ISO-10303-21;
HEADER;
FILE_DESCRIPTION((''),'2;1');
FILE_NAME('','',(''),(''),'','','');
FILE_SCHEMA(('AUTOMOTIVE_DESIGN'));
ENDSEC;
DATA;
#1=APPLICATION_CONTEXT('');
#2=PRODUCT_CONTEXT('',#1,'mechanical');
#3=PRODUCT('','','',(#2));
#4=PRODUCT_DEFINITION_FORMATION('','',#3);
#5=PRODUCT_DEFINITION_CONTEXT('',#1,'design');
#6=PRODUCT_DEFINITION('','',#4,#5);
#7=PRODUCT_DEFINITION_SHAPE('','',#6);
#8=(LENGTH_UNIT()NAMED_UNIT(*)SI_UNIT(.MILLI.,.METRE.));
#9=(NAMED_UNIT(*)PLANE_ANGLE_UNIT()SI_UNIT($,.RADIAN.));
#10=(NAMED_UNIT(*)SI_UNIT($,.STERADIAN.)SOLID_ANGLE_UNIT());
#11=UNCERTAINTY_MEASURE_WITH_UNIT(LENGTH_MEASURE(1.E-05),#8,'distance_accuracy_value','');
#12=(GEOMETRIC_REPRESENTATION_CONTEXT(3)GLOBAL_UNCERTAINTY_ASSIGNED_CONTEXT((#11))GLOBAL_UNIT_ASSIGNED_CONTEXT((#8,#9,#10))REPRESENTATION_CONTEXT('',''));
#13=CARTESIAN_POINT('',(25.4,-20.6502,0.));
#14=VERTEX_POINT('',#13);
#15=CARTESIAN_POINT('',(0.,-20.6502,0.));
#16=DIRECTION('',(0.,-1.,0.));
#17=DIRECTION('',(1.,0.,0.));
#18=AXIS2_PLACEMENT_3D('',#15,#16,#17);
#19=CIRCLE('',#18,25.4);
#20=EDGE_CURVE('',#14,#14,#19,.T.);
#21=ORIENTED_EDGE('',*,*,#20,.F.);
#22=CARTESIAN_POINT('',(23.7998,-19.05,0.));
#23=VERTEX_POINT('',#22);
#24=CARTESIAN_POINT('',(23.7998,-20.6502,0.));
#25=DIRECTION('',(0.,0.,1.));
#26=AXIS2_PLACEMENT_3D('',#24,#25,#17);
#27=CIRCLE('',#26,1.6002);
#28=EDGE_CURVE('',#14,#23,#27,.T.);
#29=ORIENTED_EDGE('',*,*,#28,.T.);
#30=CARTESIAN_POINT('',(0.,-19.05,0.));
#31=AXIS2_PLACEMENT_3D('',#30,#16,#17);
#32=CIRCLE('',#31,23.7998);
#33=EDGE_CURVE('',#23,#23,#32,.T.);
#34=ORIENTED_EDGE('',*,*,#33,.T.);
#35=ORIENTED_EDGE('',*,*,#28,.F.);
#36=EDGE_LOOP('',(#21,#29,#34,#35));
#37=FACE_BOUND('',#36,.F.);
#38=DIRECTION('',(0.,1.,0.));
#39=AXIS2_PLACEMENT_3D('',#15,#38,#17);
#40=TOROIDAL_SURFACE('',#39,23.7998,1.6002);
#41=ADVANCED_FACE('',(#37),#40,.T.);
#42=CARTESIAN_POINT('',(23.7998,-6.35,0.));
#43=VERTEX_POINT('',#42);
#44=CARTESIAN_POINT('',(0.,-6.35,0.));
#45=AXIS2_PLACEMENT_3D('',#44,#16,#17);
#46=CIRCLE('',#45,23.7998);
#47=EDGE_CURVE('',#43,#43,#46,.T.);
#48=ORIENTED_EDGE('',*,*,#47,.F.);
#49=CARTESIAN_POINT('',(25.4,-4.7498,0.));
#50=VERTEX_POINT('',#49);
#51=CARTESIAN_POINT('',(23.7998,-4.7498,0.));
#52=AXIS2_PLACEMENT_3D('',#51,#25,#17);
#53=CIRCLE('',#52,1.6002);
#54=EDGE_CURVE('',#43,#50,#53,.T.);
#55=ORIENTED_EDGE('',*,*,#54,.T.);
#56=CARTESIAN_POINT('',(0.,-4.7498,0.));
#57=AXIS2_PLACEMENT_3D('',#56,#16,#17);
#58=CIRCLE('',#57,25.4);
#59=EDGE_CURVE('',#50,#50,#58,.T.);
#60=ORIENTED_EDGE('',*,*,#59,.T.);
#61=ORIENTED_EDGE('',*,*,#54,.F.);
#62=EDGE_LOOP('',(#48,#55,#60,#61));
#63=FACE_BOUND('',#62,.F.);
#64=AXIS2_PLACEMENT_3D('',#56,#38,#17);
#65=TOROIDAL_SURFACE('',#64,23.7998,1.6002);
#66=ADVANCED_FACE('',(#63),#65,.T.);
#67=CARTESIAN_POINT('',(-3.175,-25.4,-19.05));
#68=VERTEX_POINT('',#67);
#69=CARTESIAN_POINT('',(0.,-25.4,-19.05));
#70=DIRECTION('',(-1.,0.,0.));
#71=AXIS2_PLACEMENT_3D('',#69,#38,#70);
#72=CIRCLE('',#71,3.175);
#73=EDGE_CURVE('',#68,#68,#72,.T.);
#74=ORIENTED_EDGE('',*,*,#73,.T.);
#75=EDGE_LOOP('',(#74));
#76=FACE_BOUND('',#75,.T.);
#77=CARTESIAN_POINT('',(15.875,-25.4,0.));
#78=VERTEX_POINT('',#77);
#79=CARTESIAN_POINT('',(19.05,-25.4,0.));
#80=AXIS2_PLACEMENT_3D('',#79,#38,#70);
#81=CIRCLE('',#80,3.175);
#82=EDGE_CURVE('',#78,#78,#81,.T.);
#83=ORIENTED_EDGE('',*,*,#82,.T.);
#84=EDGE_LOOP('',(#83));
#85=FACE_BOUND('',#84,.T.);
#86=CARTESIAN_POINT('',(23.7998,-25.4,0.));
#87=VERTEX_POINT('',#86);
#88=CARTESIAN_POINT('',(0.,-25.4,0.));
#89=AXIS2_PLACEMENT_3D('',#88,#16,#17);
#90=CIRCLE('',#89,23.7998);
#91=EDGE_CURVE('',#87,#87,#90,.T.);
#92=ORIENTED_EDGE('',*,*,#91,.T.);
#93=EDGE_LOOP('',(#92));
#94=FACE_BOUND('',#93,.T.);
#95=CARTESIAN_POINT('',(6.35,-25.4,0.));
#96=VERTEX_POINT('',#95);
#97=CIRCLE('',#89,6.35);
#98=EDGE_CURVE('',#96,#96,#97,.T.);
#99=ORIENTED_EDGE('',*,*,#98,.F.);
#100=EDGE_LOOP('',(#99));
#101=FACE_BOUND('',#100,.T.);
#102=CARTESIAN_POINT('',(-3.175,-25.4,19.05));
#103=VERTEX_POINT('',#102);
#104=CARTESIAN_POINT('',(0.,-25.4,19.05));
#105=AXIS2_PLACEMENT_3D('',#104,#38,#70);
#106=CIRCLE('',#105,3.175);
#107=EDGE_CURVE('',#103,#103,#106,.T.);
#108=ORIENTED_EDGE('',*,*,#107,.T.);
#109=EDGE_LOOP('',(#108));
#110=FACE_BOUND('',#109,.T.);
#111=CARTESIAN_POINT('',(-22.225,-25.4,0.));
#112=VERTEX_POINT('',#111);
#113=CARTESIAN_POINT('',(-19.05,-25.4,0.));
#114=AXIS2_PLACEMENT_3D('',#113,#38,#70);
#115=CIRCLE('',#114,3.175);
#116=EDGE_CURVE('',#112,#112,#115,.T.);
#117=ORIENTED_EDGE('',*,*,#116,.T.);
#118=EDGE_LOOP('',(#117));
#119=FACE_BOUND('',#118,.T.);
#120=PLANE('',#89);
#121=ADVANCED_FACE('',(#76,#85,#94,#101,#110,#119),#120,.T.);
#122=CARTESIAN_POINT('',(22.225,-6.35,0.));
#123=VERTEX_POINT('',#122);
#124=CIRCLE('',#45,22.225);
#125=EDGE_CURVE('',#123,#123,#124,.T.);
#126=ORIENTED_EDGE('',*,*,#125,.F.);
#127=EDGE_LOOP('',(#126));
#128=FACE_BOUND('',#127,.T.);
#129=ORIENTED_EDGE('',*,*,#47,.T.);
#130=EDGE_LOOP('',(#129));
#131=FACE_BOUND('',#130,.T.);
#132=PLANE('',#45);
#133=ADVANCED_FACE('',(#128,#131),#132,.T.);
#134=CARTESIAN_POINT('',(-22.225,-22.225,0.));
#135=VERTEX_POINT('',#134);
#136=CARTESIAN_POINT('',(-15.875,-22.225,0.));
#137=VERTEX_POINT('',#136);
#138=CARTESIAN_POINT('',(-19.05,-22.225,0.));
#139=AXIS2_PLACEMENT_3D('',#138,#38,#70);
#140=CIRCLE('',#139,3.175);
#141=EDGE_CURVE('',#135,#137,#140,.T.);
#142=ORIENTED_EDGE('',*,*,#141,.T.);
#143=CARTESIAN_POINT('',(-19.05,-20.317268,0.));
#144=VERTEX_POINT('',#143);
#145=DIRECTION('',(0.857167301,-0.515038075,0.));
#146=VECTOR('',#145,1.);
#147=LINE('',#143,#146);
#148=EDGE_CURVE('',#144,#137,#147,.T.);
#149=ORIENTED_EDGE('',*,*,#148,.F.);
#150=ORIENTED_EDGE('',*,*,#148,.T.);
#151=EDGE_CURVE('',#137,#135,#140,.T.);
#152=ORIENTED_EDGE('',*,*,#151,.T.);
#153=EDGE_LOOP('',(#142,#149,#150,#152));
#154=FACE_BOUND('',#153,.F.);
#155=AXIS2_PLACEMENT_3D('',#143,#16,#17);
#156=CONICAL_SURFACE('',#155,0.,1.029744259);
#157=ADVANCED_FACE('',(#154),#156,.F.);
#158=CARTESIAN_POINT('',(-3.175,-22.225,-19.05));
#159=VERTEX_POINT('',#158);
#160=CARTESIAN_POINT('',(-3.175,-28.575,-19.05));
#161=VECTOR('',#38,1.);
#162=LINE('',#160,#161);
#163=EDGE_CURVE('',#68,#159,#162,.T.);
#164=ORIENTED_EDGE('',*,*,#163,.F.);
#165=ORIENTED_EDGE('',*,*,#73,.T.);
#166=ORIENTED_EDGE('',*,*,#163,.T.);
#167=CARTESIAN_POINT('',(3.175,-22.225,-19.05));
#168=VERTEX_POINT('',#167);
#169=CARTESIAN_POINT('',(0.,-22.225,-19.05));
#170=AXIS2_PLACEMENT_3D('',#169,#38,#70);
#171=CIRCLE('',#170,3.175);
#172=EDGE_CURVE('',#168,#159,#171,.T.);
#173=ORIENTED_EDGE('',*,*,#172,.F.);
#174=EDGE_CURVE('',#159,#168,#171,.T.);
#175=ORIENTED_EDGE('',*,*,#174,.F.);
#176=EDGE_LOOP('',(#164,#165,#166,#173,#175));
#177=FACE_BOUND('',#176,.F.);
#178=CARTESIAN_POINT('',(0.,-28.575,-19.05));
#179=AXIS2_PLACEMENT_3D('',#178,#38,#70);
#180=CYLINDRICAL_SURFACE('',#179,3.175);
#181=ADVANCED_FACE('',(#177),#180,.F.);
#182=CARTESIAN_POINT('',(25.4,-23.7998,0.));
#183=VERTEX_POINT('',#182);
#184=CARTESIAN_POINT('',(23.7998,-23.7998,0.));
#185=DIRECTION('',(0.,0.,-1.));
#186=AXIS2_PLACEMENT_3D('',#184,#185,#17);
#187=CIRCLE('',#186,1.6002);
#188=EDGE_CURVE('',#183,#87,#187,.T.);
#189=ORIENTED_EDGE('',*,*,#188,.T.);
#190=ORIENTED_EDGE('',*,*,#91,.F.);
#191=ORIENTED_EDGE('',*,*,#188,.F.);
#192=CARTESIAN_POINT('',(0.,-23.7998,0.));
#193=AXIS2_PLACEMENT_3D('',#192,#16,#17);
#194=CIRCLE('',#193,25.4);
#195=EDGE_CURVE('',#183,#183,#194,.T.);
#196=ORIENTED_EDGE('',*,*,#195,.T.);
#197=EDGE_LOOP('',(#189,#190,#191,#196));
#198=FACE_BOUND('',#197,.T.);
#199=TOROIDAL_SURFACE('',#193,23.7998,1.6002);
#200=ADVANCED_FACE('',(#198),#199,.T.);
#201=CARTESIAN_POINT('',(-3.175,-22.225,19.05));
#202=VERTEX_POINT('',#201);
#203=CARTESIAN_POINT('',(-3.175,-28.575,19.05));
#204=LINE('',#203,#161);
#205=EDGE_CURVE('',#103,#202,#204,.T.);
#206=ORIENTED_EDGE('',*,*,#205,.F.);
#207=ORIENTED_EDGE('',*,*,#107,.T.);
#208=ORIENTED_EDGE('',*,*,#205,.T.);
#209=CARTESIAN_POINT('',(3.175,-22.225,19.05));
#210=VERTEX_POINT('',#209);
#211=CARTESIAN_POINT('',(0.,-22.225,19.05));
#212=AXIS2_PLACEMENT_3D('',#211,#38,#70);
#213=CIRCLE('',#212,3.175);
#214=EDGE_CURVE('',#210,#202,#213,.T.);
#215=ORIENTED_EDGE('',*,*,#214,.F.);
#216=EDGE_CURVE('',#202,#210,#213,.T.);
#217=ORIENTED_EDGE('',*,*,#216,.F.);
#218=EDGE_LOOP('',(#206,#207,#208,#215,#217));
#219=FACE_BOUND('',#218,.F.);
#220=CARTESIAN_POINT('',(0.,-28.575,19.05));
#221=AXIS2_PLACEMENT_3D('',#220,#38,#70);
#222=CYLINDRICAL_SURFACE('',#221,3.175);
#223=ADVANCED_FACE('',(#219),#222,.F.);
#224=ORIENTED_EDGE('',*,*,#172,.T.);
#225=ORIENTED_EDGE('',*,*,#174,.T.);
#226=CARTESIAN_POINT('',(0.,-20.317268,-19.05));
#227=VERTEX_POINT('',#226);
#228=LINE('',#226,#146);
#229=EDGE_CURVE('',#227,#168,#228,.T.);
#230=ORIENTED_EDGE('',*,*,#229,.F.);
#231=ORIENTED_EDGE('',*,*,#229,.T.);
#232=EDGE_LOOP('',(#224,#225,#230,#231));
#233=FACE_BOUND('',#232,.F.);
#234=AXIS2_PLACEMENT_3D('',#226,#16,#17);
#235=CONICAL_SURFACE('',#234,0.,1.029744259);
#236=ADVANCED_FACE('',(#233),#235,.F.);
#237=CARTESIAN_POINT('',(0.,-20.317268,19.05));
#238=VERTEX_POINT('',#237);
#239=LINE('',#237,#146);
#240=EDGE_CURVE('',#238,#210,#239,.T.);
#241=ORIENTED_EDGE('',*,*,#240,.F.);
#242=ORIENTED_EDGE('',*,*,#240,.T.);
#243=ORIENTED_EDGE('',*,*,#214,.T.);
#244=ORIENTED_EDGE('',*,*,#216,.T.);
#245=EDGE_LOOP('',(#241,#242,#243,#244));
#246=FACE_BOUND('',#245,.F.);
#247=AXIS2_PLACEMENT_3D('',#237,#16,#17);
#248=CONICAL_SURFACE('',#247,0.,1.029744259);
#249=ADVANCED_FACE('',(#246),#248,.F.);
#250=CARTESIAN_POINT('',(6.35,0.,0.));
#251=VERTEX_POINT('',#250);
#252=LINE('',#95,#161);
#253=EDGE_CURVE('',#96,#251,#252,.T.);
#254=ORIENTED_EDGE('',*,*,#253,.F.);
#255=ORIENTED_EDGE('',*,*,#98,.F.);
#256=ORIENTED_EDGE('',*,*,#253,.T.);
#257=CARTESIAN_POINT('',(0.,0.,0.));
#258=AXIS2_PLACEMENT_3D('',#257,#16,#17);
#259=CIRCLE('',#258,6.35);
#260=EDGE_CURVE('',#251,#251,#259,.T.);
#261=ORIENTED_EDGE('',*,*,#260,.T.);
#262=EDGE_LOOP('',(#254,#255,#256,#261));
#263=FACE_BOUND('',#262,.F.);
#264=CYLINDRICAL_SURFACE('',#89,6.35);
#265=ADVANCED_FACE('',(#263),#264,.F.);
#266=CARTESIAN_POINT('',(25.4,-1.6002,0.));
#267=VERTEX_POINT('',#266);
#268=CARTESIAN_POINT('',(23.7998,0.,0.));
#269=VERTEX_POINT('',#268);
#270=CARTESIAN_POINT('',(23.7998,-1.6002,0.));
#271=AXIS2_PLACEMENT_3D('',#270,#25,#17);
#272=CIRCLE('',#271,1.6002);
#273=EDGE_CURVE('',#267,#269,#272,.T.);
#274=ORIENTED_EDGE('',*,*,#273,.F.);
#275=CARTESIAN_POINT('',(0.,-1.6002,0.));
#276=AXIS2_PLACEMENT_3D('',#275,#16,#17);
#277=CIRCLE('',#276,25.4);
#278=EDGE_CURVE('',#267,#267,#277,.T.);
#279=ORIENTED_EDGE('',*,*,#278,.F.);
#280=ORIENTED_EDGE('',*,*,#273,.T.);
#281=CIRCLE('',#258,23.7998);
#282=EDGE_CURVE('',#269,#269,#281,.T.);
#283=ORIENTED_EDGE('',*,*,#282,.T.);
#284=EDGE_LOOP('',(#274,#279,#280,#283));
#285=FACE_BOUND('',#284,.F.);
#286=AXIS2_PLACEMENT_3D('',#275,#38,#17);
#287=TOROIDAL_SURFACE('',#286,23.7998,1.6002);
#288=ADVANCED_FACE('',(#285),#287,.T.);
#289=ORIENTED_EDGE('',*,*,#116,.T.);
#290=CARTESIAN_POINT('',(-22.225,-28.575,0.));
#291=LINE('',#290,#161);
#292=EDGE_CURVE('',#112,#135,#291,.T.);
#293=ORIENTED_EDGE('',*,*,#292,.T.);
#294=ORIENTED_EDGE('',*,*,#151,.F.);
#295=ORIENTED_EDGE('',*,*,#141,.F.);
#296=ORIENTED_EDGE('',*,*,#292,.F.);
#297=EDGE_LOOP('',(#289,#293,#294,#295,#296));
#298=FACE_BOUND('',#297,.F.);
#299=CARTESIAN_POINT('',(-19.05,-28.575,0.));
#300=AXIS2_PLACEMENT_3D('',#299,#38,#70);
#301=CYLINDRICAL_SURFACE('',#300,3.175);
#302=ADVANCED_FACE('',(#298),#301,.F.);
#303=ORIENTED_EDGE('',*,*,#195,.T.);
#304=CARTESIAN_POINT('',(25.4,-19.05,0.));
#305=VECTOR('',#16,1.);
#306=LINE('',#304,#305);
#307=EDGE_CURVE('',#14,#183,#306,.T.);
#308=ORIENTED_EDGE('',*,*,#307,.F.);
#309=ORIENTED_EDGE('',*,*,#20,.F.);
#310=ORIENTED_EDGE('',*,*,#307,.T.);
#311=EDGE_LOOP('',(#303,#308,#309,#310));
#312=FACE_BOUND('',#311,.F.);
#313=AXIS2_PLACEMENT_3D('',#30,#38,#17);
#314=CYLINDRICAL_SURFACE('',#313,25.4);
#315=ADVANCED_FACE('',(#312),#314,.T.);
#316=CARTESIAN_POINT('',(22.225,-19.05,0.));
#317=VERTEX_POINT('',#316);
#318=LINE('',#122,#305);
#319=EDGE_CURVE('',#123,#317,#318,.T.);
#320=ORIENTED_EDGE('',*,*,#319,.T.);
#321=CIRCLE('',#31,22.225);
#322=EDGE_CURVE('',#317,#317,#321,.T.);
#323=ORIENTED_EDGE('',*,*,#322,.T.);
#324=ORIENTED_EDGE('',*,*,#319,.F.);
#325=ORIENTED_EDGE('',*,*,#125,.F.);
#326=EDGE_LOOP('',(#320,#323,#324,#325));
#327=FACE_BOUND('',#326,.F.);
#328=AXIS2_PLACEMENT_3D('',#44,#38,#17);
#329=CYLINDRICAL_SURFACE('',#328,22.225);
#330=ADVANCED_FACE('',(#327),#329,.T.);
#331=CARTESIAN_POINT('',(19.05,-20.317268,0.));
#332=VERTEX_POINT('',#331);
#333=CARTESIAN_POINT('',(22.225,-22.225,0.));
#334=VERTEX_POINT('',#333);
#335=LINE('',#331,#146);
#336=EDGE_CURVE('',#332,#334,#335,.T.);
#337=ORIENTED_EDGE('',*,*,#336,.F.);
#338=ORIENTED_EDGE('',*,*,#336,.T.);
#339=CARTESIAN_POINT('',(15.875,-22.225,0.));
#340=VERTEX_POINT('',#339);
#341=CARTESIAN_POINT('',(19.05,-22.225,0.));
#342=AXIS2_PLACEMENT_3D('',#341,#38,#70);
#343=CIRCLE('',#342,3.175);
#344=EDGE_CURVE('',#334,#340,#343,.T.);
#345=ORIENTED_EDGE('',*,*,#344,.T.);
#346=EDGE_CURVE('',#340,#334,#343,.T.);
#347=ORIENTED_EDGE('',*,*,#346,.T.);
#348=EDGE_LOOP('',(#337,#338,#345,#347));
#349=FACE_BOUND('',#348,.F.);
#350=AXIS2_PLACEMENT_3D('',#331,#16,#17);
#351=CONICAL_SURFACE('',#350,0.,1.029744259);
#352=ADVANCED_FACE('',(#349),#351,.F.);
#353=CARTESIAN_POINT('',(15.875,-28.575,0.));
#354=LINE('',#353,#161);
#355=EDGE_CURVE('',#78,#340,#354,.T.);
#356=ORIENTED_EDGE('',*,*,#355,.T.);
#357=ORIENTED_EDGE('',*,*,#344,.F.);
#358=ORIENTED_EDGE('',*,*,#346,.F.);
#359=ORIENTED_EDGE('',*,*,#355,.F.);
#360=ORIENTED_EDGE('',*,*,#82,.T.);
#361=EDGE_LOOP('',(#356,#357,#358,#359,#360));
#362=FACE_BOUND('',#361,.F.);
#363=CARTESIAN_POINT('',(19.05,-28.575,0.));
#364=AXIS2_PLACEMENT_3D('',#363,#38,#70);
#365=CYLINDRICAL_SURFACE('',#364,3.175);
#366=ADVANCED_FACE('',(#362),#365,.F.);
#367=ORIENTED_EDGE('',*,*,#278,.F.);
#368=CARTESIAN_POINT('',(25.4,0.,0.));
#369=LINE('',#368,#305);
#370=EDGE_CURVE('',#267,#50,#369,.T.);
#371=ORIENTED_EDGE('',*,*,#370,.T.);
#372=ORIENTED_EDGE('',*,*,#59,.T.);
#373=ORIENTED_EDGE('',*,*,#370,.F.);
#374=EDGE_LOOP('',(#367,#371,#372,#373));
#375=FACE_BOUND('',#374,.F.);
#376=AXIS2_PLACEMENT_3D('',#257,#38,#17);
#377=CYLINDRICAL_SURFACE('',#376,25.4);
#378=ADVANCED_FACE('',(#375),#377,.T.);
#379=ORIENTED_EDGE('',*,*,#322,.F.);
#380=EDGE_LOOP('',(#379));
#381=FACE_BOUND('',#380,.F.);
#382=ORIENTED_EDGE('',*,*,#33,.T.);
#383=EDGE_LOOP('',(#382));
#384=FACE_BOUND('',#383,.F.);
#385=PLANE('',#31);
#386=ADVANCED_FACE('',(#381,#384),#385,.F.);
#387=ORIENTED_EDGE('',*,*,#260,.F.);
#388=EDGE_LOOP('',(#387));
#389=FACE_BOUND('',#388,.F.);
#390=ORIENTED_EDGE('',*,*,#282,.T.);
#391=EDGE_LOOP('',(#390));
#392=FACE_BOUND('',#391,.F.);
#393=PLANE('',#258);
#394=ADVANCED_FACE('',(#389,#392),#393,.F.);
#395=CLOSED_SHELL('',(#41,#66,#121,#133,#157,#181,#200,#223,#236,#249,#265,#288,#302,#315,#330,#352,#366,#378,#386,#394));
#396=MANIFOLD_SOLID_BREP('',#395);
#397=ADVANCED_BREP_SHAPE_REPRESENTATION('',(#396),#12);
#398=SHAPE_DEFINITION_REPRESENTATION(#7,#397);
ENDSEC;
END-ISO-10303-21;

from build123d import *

# Parameters (mm, degrees)
F0_R      = 25.4
F1_DEPTH  = 6.35
F2_R      = 22.225
F3_DEPTH  = 12.7
F4_R      = 25.4
F5_DEPTH  = 6.35
F7_D      = 6.35
F7_DEPTH  = 3.175
F7_TIP    = 1.9077324654
F8_R      = 1.6002
F9_R      = 6.35
F10_DEPTH = 25.401


with BuildPart() as f1:
    # F0 (on Front) → F1 (new body)
    with BuildSketch(Plane.XZ):
        Circle(F0_R)
    extrude(amount=F1_DEPTH)

    # F2 (on face) → F3 (join)
    with BuildSketch(Plane.XZ.offset(6.35)):
        Circle(F2_R)
    extrude(amount=F3_DEPTH)

    # F4 (on face) → F5 (join)
    with BuildSketch(Plane.XZ.offset(19.05)):
        Circle(F4_R)
    extrude(amount=F5_DEPTH)

    # F7
    with Locations(Plane.XZ.offset(25.4)):
        with Locations((0, 19.05), (19.05, 0), (0, -19.05), (-19.05, 0)):
            Hole(F7_D / 2, depth=F7_DEPTH)
            with Locations((0, 0, -(F7_DEPTH + F7_TIP / 2))):  # 118° drill point
                Cone(0, F7_D / 2, F7_TIP, mode=Mode.SUBTRACT)

    # F8
    f8_edges = [f1.edges().sort_by_distance(p)[0] for p in [
        (-25.4, -25.4, 0),
        (-25.4, -19.05, 0),
        (-25.4, -6.35, 0),
        (-25.4, 0, 0),
    ]]
    fillet(f8_edges, radius=F8_R)

    # F9 (on face) → F10 (cut, through all)
    with BuildSketch(Plane.XZ.offset(25.4)):
        Circle(F9_R)
    extrude(amount=-F10_DEPTH, mode=Mode.SUBTRACT)


solid = f1.part
